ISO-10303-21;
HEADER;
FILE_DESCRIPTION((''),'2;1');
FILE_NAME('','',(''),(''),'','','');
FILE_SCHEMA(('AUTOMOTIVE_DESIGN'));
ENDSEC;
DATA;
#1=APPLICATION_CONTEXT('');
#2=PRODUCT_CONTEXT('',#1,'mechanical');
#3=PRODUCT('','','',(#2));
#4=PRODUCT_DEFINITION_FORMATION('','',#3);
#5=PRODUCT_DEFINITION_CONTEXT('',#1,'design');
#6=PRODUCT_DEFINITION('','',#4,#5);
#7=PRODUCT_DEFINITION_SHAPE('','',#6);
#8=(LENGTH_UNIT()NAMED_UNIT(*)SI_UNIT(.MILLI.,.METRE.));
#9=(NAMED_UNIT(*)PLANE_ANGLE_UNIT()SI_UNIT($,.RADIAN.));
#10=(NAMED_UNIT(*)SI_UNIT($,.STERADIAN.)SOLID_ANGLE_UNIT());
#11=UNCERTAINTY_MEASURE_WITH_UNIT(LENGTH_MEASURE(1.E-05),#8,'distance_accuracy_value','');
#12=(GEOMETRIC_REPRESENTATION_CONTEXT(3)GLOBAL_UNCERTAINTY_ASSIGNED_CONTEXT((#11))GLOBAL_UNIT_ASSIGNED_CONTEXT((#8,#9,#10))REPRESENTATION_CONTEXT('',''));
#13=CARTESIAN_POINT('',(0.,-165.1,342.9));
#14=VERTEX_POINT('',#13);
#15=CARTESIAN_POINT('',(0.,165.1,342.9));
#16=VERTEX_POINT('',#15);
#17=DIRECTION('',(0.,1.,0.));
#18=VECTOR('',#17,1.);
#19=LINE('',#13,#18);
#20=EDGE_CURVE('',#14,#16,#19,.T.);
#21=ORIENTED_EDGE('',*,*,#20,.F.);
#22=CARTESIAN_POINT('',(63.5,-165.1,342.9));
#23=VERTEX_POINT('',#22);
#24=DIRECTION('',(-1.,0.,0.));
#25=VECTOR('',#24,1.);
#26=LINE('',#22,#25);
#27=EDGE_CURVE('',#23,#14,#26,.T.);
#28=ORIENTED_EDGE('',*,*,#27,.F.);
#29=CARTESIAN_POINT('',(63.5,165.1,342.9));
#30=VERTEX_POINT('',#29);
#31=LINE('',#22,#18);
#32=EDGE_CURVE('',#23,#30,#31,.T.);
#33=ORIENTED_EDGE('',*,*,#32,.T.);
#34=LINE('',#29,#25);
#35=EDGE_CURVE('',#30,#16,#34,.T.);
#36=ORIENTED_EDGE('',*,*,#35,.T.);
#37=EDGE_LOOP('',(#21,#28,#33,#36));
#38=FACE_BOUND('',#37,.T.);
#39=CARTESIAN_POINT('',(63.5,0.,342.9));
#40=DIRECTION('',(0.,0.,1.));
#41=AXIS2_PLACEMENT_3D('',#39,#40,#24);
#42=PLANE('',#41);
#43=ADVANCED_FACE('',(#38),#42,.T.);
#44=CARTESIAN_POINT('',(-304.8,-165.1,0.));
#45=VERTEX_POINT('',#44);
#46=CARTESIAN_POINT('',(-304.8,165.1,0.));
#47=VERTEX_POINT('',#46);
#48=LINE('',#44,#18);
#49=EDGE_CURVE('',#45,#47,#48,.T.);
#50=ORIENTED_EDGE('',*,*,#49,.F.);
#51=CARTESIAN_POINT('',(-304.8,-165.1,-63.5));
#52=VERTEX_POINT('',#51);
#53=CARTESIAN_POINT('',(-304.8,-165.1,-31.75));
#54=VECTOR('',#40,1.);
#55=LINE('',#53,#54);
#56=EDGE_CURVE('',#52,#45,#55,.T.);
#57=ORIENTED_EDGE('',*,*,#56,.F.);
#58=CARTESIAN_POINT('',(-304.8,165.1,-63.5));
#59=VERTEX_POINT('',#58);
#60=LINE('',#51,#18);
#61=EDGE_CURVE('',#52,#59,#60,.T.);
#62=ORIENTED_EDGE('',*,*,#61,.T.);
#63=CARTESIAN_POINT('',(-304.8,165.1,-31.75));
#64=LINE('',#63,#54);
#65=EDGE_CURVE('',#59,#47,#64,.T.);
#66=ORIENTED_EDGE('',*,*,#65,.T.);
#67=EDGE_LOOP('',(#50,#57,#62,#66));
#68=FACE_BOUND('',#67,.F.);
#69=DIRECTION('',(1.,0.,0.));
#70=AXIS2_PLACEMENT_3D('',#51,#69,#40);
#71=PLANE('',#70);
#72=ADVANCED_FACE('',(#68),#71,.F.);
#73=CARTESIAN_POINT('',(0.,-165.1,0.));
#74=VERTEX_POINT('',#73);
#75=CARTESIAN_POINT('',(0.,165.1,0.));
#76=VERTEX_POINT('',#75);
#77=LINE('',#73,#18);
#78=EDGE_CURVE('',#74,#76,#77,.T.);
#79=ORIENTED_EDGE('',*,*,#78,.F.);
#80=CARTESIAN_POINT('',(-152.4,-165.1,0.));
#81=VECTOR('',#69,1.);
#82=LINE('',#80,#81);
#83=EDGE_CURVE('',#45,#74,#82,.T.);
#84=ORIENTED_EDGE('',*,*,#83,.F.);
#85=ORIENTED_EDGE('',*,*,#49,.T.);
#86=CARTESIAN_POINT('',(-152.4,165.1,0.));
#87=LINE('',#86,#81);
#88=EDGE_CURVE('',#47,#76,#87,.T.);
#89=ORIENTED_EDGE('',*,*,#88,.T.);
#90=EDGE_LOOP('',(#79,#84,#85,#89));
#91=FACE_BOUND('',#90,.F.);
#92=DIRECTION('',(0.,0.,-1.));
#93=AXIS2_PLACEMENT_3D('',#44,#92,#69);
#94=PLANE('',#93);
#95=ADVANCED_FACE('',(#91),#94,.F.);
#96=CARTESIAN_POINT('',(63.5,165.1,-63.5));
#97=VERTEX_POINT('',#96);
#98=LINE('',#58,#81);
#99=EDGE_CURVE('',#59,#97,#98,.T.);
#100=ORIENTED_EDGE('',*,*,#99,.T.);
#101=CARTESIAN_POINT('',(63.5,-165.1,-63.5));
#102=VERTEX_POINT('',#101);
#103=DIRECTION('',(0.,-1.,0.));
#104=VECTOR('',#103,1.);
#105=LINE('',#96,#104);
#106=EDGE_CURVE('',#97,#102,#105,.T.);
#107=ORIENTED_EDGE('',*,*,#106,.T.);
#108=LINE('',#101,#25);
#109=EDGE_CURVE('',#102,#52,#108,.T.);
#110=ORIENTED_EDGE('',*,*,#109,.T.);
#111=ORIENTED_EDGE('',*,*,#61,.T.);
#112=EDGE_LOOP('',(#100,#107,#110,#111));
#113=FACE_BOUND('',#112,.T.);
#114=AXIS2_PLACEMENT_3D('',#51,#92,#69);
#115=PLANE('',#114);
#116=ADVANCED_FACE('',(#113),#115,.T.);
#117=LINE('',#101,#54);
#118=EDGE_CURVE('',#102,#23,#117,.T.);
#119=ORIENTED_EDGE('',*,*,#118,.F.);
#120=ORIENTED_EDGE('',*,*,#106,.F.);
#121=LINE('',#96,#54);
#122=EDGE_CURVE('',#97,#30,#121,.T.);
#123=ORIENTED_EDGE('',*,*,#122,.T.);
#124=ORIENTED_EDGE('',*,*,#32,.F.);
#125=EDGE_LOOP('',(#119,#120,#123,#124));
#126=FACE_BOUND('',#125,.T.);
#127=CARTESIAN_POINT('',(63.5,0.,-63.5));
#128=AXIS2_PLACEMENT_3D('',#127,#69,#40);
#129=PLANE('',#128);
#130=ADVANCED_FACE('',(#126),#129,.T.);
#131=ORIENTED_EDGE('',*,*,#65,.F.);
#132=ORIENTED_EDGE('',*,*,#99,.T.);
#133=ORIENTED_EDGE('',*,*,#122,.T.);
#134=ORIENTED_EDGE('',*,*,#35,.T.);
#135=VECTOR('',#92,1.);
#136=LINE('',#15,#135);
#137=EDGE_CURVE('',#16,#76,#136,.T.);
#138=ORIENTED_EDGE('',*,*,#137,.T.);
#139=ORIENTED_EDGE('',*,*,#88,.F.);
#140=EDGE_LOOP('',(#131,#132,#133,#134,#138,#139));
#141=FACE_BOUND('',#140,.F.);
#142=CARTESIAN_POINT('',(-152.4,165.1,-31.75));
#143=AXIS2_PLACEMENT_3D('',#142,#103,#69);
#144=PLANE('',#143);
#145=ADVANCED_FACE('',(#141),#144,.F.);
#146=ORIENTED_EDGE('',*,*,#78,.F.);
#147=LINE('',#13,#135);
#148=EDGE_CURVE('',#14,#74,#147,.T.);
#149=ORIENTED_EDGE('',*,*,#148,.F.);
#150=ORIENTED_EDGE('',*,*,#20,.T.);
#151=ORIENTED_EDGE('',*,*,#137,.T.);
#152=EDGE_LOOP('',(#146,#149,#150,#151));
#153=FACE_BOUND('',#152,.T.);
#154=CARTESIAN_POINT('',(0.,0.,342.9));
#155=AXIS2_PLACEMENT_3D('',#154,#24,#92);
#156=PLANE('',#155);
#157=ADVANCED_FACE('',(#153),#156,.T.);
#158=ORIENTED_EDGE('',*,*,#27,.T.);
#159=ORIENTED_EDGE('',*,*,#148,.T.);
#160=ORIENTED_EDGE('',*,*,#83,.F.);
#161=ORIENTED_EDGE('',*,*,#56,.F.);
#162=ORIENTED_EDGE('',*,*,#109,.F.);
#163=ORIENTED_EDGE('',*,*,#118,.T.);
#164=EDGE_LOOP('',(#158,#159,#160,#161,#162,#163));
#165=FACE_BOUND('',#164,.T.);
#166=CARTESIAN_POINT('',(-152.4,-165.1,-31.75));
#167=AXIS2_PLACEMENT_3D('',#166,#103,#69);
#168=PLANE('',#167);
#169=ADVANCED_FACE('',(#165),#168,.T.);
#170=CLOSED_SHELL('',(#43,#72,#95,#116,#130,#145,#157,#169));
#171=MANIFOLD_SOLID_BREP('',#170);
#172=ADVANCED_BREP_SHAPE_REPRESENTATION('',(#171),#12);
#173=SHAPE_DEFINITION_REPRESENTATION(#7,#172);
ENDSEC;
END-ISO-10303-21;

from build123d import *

# Parameters (mm, degrees)
F1_DEPTH = 165.1
F2_W     = 304.8
F2_H     = 63.5
F3_DEPTH = 330.2


with BuildPart() as f1:
    # F0 (on Front) → F1 (new body, symmetric)
    with BuildSketch(Plane.XZ):
        Polygon((0, 342.9), (0, 0), (0, -63.5), (63.5, -63.5), (63.5, 342.9), align=None)
    extrude(amount=F1_DEPTH, both=True)

    # F2 (on face) → F3 (join)
    with BuildSketch(Plane.XZ.offset(165.1)):
        with Locations((-152.4, -31.75)):
            Rectangle(F2_W, F2_H)
    extrude(amount=-F3_DEPTH)


solid = f1.part
